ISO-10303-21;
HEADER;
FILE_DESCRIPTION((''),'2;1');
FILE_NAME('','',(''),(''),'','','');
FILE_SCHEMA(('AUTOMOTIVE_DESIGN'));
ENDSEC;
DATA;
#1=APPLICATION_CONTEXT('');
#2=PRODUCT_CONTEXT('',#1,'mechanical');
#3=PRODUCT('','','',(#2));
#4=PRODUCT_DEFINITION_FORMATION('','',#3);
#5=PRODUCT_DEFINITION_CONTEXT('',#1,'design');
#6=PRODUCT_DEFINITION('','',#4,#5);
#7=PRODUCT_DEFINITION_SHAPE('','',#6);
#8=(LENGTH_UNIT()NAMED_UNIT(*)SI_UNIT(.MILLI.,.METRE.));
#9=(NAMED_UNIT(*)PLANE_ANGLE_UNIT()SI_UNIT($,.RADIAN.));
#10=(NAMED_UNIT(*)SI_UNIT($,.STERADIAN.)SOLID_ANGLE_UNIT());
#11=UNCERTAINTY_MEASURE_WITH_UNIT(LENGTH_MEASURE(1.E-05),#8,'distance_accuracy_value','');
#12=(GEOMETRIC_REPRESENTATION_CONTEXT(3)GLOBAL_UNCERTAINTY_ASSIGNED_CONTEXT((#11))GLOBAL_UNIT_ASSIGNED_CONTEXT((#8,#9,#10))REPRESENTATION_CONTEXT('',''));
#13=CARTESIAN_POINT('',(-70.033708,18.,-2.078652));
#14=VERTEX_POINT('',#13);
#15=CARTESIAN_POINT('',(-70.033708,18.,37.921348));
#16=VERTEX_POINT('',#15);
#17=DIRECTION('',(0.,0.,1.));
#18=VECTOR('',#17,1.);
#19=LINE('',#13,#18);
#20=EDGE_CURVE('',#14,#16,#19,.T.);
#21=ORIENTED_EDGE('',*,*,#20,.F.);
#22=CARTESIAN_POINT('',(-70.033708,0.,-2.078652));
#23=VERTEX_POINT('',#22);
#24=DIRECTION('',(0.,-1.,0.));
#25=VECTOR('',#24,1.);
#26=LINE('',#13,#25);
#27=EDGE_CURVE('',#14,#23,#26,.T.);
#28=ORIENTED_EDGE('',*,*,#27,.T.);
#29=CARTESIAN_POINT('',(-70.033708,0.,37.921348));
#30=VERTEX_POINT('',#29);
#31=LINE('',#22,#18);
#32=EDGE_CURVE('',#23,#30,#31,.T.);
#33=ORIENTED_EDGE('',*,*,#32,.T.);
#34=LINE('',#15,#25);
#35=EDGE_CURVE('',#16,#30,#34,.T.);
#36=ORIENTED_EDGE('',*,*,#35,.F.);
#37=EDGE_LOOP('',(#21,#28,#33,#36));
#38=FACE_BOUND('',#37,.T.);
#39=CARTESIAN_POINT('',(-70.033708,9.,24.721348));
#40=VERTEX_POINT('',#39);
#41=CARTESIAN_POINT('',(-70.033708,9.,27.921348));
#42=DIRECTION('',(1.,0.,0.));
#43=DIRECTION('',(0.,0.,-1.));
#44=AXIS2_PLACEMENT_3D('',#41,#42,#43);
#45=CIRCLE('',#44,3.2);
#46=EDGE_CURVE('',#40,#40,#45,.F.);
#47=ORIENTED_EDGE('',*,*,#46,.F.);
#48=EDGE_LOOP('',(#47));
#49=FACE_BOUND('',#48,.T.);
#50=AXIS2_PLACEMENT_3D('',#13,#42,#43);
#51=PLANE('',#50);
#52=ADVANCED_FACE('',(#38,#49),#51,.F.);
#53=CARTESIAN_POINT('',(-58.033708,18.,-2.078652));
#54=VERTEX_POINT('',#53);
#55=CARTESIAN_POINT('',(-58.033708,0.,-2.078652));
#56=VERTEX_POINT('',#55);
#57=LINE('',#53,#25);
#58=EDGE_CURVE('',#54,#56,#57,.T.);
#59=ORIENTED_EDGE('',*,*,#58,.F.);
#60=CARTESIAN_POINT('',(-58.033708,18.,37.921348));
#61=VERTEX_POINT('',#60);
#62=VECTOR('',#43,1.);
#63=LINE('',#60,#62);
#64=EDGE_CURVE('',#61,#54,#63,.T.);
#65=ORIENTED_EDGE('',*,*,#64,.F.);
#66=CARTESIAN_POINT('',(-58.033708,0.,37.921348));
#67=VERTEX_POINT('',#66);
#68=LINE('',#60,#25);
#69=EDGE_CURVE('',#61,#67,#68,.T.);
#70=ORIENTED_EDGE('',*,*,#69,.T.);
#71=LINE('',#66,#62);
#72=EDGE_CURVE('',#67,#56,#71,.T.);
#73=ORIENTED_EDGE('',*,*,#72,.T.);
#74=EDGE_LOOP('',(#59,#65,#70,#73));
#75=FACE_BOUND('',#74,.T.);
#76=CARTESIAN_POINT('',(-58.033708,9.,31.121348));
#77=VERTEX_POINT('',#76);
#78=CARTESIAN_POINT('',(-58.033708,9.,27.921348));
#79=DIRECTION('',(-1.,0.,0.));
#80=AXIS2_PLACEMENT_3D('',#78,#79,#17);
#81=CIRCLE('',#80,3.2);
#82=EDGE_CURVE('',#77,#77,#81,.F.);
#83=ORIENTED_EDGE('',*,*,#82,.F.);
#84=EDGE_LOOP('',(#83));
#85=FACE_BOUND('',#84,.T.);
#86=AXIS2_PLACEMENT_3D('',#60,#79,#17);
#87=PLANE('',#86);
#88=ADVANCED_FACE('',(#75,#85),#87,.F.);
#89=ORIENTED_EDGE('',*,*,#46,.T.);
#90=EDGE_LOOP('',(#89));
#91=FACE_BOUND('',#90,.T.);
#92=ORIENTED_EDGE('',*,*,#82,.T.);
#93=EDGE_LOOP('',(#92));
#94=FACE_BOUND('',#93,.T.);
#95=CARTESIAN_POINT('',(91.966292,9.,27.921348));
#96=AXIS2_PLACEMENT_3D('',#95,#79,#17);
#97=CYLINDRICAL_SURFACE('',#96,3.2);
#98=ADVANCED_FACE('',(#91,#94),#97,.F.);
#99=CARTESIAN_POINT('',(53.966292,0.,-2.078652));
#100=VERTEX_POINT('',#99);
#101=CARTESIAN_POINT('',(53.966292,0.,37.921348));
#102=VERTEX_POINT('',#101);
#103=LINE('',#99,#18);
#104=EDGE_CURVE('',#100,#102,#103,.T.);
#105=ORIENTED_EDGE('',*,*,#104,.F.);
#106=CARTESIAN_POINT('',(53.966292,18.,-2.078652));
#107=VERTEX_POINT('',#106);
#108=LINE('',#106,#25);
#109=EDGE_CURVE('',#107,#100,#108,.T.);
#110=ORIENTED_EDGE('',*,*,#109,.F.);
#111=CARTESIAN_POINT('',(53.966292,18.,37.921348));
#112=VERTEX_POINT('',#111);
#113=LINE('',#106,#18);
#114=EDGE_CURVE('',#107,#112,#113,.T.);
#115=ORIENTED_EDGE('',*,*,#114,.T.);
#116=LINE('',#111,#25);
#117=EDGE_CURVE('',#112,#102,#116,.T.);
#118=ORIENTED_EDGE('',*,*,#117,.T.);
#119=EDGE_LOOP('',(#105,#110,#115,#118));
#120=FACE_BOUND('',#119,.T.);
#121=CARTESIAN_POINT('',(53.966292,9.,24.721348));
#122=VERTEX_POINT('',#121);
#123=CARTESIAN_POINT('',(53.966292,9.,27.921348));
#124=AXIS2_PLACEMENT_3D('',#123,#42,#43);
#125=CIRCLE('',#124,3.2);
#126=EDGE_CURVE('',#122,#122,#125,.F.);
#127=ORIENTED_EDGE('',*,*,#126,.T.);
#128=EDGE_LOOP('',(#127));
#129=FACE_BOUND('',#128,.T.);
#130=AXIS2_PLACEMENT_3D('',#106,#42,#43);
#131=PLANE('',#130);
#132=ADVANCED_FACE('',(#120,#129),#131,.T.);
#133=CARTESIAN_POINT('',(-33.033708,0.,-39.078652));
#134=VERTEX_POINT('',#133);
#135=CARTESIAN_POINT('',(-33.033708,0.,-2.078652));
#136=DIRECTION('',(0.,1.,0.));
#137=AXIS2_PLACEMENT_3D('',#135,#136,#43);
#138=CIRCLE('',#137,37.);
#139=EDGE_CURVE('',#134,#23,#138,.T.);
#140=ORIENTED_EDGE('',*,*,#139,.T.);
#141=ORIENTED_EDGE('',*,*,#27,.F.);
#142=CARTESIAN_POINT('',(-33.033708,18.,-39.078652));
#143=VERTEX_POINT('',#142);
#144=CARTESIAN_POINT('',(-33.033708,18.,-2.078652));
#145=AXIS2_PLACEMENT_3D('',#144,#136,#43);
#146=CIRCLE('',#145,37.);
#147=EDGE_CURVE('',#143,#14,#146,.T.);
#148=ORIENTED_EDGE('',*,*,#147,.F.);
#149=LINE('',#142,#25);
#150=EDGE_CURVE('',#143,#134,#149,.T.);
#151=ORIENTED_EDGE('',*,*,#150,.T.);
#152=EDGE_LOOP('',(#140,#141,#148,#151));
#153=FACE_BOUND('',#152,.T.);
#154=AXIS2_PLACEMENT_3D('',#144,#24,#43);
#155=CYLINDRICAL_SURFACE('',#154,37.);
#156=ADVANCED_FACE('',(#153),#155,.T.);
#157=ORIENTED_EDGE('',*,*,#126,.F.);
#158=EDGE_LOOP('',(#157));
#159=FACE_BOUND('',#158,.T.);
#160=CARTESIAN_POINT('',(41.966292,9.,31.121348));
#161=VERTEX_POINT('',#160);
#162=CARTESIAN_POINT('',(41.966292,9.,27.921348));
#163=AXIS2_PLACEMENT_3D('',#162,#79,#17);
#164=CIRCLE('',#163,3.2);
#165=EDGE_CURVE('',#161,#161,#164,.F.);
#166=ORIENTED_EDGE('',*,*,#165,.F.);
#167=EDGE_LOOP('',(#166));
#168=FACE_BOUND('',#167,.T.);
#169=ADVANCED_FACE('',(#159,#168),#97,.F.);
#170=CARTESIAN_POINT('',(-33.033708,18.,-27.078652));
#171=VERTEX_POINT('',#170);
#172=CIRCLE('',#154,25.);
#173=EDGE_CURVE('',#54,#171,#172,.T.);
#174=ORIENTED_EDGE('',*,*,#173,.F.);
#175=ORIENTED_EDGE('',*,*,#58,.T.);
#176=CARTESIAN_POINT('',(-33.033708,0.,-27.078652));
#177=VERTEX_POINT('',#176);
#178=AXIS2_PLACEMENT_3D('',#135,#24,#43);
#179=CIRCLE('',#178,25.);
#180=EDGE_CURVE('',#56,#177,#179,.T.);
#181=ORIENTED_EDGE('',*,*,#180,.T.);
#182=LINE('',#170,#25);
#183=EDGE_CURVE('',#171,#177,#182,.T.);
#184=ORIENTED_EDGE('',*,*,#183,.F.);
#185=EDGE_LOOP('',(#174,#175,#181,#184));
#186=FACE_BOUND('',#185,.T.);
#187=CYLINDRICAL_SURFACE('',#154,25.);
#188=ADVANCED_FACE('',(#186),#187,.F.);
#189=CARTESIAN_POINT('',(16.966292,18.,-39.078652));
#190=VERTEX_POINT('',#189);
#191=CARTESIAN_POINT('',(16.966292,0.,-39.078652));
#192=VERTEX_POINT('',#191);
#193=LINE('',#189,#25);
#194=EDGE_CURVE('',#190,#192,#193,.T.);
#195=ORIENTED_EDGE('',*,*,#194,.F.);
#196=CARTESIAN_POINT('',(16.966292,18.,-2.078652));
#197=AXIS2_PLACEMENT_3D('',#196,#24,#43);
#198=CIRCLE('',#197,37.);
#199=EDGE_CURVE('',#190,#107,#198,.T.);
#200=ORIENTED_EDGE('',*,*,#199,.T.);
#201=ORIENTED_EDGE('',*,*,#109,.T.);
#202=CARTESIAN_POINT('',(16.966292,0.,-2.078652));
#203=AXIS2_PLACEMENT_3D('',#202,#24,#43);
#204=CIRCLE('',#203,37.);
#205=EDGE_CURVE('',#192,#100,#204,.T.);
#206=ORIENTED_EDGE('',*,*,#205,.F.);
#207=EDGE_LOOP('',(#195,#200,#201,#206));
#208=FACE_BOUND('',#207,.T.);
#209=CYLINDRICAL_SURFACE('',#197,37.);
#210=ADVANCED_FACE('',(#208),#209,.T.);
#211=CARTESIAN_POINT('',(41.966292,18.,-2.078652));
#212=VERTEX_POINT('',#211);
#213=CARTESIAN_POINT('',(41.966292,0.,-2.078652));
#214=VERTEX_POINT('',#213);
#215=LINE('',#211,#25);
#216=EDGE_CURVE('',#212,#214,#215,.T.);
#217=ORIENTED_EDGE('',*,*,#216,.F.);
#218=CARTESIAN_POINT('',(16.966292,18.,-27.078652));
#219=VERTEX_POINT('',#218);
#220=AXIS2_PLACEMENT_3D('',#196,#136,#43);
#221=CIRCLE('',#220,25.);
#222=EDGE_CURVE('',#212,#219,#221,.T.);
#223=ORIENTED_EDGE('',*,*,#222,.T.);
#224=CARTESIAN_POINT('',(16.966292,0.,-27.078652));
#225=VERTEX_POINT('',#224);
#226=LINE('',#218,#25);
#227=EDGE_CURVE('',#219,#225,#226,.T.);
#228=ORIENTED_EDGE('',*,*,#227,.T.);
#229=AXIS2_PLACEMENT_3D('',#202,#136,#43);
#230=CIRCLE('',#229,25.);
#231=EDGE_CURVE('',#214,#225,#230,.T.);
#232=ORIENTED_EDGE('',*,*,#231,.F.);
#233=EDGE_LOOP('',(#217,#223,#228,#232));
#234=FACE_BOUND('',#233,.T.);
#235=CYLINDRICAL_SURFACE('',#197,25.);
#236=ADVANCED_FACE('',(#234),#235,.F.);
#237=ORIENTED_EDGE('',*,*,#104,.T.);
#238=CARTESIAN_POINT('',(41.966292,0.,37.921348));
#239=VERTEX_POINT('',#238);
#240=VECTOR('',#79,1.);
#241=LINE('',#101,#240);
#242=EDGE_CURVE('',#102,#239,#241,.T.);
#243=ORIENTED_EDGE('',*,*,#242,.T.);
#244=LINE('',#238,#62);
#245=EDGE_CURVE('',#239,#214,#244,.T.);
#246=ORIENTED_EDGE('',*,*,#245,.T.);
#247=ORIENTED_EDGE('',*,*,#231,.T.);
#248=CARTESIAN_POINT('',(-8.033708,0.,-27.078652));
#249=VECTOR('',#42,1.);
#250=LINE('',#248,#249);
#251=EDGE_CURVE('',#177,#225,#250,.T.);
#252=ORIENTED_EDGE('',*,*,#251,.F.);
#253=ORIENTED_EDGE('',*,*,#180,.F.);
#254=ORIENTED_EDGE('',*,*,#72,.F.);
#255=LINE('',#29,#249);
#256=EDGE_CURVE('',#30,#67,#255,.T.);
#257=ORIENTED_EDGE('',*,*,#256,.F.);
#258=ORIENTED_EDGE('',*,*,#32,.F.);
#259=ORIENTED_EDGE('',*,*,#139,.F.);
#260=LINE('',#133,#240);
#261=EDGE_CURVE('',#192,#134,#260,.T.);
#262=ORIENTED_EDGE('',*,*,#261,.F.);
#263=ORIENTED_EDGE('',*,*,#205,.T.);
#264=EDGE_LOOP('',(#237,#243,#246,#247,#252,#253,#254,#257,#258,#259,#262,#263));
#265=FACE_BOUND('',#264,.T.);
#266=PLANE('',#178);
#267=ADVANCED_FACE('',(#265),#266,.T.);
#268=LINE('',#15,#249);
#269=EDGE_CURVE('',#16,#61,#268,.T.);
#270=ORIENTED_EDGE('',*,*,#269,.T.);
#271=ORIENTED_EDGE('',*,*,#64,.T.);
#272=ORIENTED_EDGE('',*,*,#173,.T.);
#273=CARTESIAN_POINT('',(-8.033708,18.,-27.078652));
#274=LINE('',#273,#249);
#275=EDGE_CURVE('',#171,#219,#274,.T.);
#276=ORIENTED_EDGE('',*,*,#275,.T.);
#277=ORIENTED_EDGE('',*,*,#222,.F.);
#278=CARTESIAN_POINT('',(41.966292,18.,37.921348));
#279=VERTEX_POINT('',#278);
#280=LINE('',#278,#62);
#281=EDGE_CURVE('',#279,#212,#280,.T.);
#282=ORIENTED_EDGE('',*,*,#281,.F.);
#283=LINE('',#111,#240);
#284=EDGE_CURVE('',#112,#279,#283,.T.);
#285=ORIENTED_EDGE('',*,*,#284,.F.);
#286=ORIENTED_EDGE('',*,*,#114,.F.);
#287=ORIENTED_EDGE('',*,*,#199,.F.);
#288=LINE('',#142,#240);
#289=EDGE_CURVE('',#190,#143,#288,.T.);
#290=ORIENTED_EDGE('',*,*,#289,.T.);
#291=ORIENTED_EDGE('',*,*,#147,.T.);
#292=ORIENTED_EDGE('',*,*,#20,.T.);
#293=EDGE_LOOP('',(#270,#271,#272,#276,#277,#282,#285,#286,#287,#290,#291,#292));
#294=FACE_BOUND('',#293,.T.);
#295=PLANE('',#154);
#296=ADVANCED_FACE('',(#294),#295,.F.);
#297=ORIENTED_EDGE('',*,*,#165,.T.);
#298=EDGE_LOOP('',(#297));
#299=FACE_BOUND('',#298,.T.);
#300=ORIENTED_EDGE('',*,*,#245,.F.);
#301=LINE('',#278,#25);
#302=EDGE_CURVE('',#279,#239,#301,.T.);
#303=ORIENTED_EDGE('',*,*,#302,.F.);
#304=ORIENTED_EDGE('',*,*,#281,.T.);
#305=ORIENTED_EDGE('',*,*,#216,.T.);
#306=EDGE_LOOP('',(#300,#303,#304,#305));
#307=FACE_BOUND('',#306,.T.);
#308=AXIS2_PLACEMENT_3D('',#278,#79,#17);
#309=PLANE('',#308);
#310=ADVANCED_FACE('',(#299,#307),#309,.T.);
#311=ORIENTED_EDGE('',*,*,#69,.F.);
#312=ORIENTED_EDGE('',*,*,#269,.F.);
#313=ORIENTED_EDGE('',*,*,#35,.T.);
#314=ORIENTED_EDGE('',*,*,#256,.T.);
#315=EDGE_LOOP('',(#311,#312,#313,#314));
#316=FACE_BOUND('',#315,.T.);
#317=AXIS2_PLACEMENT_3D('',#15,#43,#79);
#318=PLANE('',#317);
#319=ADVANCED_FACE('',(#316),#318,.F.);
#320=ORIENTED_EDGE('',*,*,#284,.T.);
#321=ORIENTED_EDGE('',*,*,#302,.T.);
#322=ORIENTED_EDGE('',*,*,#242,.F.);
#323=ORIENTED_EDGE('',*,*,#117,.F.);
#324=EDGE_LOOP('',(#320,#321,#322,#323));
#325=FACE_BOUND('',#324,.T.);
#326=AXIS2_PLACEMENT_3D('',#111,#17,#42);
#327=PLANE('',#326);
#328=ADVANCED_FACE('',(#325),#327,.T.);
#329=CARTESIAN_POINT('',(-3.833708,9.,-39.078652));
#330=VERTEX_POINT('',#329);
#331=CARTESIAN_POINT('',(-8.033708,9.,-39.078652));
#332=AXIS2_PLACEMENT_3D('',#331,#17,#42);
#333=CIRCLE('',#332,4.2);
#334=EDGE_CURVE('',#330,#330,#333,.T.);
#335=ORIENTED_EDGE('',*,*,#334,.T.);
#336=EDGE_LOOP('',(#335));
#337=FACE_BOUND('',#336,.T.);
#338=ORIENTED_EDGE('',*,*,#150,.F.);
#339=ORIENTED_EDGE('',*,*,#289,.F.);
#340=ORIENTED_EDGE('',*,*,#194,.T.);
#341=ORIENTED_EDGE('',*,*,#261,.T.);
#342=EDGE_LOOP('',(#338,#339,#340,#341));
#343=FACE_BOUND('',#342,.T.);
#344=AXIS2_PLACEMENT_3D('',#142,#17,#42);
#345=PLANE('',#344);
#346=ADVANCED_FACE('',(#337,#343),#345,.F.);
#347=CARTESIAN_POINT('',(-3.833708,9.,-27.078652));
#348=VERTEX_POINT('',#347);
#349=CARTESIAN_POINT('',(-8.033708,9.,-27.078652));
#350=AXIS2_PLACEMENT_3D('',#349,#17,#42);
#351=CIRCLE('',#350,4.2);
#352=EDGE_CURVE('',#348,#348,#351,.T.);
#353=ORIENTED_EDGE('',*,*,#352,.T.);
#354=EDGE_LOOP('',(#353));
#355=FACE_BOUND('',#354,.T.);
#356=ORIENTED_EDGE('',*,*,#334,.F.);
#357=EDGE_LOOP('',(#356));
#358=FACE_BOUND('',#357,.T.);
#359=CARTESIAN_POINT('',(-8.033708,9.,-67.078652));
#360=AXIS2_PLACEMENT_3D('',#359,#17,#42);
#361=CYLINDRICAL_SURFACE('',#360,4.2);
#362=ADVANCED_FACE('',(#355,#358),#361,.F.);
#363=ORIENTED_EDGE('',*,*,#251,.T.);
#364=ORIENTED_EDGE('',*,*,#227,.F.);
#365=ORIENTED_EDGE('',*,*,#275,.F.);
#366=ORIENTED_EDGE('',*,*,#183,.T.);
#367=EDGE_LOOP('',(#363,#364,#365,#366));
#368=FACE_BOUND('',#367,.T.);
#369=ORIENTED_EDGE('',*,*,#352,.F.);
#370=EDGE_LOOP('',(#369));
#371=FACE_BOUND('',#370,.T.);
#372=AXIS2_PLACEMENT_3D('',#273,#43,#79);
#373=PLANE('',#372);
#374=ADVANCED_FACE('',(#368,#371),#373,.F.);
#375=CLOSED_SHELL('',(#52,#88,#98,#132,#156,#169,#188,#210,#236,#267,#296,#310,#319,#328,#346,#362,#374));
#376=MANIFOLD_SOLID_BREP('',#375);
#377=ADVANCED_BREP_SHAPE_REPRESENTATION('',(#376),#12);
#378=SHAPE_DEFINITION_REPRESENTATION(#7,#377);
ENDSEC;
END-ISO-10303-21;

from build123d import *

# Parameters (mm, degrees)
BOSS_EXTRUDE1_DEPTH     = 18
SKETCH2_R               = 3.2
CUT_EXTRUDE1_DEPTH      = 150
CUT_EXTRUDE1_DEPTH_BACK = 40
SKETCH3_R               = 4.2
CUT_EXTRUDE2_DEPTH      = 40


with BuildPart() as part:
    # Sketch1 → Boss-Extrude1 (new body)
    with BuildSketch(Plane(origin=(0, 0, 0), x_dir=(1, 0, 0), z_dir=(0, 1, 0))):
        with BuildLine():
            Line((-70.033707865, -37.921348315), (-58.033707865, -37.921348315))
            Line((-58.033707865, -37.921348315), (-58.033707865, 2.078651685))
            ThreePointArc((-58.033707865, 2.078651685), (-50.711377395, 19.756321215), (-33.033707865, 27.078651685))
            Line((-33.033707865, 27.078651685), (-8.033707865, 27.078651685))
            Line((-8.033707865, 27.078651685), (-8.033707865, 39.078651685))
            Line((-8.033707865, 39.078651685), (-33.033707865, 39.078651685))
            ThreePointArc((-33.033707865, 39.078651685), (-59.196658769, 28.241602589), (-70.033707865, 2.078651685))
            Line((-70.033707865, 2.078651685), (-70.033707865, -37.921348315))
        make_face()
    boss_extrude1 = extrude(amount=BOSS_EXTRUDE1_DEPTH)

    # Mirror1: Boss-Extrude1 across plane
    add(boss_extrude1.mirror(Plane(origin=(-8.033707865, 18, -39.078651685), x_dir=(0, 0, 1), z_dir=(-1, 0, 0))))

    # Sketch2 → Cut-Extrude1 (cut, two sides)
    with BuildSketch(Plane(origin=(-58.033707865, 0, 0), x_dir=(0, 0, -1), z_dir=(1, 0, 0))) as cut_extrude1_sk:
        with Locations((-27.921348315, 9)):
            Circle(SKETCH2_R)
    extrude(amount=CUT_EXTRUDE1_DEPTH, mode=Mode.SUBTRACT)
    extrude(cut_extrude1_sk.sketch, amount=-CUT_EXTRUDE1_DEPTH_BACK, mode=Mode.SUBTRACT)

    # Sketch3 → Cut-Extrude2 (cut)
    with BuildSketch(Plane.XY.offset(-27.078651685)):
        with Locations((-8.033707865, 9)):
            Circle(SKETCH3_R)
    extrude(amount=-CUT_EXTRUDE2_DEPTH, mode=Mode.SUBTRACT)


solid = part.part
